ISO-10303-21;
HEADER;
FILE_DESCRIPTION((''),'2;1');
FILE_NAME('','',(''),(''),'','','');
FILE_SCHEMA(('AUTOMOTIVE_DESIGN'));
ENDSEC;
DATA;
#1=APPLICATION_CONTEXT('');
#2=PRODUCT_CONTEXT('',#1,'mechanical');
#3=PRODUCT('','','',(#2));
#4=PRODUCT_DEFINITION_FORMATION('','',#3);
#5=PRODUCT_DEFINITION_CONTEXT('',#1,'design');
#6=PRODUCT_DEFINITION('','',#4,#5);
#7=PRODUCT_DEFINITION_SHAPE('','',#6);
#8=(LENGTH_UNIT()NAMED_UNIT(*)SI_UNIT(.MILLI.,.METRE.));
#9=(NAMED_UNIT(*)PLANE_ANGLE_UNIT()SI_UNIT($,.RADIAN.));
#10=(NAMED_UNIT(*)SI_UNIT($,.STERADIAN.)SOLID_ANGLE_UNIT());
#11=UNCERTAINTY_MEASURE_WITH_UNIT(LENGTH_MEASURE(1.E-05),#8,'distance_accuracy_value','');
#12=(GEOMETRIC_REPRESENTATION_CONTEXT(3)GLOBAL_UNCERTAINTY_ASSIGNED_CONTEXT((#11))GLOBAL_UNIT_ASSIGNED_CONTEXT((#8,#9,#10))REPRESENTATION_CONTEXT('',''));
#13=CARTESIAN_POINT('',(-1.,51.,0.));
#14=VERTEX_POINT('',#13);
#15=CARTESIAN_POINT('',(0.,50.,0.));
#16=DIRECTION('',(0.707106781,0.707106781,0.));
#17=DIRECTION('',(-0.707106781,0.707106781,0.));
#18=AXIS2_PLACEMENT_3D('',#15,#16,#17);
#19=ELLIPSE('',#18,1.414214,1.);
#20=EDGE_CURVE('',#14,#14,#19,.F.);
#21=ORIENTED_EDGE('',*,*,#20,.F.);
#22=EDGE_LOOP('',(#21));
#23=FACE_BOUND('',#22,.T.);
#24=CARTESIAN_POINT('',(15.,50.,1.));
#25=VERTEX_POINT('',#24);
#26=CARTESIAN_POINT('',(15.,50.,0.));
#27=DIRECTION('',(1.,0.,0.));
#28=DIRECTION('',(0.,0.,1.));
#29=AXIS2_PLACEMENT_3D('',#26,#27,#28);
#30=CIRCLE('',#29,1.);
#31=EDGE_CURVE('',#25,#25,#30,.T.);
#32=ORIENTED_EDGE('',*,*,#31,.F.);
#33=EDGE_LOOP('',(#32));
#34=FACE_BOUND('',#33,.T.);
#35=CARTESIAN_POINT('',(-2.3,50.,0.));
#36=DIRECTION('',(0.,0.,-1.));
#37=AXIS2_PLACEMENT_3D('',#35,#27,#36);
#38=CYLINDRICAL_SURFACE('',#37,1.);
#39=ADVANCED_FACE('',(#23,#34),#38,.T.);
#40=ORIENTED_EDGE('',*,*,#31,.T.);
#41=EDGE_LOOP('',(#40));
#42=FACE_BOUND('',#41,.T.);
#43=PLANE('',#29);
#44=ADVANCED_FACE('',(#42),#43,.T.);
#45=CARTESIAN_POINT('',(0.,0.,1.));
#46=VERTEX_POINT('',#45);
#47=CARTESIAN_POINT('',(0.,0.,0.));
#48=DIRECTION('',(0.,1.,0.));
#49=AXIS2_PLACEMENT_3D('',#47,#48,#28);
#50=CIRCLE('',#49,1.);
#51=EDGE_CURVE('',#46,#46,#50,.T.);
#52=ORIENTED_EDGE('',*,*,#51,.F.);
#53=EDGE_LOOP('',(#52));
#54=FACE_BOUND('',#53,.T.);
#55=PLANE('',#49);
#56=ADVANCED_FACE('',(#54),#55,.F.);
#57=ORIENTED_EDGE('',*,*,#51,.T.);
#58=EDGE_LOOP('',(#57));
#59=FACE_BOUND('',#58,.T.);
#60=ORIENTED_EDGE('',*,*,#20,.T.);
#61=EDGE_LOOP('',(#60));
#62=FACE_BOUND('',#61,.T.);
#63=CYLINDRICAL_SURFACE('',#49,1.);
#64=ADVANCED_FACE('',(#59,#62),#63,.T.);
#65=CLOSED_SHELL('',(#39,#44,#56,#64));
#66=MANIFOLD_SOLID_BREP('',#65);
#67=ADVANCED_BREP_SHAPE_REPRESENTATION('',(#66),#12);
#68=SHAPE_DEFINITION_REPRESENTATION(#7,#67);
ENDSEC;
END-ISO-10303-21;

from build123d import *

# Parameters (mm, degrees)
SKETCH3_R = 1


with BuildPart() as part:
    # Sweep1: sweep along a path in Sketch2
    with BuildLine(Plane.XY) as sweep1_path:
        Line((0, 0), (0, 50))
        Line((0, 50), (15, 50))
    # Sketch3 → Sweep1 (sweep)
    with BuildSketch(Plane(origin=(0, 0, 0), x_dir=(1, 0, 0), z_dir=(0, 1, 0))):
        Circle(SKETCH3_R)
    sweep(path=sweep1_path.line, transition=Transition.RIGHT)


solid = part.part
